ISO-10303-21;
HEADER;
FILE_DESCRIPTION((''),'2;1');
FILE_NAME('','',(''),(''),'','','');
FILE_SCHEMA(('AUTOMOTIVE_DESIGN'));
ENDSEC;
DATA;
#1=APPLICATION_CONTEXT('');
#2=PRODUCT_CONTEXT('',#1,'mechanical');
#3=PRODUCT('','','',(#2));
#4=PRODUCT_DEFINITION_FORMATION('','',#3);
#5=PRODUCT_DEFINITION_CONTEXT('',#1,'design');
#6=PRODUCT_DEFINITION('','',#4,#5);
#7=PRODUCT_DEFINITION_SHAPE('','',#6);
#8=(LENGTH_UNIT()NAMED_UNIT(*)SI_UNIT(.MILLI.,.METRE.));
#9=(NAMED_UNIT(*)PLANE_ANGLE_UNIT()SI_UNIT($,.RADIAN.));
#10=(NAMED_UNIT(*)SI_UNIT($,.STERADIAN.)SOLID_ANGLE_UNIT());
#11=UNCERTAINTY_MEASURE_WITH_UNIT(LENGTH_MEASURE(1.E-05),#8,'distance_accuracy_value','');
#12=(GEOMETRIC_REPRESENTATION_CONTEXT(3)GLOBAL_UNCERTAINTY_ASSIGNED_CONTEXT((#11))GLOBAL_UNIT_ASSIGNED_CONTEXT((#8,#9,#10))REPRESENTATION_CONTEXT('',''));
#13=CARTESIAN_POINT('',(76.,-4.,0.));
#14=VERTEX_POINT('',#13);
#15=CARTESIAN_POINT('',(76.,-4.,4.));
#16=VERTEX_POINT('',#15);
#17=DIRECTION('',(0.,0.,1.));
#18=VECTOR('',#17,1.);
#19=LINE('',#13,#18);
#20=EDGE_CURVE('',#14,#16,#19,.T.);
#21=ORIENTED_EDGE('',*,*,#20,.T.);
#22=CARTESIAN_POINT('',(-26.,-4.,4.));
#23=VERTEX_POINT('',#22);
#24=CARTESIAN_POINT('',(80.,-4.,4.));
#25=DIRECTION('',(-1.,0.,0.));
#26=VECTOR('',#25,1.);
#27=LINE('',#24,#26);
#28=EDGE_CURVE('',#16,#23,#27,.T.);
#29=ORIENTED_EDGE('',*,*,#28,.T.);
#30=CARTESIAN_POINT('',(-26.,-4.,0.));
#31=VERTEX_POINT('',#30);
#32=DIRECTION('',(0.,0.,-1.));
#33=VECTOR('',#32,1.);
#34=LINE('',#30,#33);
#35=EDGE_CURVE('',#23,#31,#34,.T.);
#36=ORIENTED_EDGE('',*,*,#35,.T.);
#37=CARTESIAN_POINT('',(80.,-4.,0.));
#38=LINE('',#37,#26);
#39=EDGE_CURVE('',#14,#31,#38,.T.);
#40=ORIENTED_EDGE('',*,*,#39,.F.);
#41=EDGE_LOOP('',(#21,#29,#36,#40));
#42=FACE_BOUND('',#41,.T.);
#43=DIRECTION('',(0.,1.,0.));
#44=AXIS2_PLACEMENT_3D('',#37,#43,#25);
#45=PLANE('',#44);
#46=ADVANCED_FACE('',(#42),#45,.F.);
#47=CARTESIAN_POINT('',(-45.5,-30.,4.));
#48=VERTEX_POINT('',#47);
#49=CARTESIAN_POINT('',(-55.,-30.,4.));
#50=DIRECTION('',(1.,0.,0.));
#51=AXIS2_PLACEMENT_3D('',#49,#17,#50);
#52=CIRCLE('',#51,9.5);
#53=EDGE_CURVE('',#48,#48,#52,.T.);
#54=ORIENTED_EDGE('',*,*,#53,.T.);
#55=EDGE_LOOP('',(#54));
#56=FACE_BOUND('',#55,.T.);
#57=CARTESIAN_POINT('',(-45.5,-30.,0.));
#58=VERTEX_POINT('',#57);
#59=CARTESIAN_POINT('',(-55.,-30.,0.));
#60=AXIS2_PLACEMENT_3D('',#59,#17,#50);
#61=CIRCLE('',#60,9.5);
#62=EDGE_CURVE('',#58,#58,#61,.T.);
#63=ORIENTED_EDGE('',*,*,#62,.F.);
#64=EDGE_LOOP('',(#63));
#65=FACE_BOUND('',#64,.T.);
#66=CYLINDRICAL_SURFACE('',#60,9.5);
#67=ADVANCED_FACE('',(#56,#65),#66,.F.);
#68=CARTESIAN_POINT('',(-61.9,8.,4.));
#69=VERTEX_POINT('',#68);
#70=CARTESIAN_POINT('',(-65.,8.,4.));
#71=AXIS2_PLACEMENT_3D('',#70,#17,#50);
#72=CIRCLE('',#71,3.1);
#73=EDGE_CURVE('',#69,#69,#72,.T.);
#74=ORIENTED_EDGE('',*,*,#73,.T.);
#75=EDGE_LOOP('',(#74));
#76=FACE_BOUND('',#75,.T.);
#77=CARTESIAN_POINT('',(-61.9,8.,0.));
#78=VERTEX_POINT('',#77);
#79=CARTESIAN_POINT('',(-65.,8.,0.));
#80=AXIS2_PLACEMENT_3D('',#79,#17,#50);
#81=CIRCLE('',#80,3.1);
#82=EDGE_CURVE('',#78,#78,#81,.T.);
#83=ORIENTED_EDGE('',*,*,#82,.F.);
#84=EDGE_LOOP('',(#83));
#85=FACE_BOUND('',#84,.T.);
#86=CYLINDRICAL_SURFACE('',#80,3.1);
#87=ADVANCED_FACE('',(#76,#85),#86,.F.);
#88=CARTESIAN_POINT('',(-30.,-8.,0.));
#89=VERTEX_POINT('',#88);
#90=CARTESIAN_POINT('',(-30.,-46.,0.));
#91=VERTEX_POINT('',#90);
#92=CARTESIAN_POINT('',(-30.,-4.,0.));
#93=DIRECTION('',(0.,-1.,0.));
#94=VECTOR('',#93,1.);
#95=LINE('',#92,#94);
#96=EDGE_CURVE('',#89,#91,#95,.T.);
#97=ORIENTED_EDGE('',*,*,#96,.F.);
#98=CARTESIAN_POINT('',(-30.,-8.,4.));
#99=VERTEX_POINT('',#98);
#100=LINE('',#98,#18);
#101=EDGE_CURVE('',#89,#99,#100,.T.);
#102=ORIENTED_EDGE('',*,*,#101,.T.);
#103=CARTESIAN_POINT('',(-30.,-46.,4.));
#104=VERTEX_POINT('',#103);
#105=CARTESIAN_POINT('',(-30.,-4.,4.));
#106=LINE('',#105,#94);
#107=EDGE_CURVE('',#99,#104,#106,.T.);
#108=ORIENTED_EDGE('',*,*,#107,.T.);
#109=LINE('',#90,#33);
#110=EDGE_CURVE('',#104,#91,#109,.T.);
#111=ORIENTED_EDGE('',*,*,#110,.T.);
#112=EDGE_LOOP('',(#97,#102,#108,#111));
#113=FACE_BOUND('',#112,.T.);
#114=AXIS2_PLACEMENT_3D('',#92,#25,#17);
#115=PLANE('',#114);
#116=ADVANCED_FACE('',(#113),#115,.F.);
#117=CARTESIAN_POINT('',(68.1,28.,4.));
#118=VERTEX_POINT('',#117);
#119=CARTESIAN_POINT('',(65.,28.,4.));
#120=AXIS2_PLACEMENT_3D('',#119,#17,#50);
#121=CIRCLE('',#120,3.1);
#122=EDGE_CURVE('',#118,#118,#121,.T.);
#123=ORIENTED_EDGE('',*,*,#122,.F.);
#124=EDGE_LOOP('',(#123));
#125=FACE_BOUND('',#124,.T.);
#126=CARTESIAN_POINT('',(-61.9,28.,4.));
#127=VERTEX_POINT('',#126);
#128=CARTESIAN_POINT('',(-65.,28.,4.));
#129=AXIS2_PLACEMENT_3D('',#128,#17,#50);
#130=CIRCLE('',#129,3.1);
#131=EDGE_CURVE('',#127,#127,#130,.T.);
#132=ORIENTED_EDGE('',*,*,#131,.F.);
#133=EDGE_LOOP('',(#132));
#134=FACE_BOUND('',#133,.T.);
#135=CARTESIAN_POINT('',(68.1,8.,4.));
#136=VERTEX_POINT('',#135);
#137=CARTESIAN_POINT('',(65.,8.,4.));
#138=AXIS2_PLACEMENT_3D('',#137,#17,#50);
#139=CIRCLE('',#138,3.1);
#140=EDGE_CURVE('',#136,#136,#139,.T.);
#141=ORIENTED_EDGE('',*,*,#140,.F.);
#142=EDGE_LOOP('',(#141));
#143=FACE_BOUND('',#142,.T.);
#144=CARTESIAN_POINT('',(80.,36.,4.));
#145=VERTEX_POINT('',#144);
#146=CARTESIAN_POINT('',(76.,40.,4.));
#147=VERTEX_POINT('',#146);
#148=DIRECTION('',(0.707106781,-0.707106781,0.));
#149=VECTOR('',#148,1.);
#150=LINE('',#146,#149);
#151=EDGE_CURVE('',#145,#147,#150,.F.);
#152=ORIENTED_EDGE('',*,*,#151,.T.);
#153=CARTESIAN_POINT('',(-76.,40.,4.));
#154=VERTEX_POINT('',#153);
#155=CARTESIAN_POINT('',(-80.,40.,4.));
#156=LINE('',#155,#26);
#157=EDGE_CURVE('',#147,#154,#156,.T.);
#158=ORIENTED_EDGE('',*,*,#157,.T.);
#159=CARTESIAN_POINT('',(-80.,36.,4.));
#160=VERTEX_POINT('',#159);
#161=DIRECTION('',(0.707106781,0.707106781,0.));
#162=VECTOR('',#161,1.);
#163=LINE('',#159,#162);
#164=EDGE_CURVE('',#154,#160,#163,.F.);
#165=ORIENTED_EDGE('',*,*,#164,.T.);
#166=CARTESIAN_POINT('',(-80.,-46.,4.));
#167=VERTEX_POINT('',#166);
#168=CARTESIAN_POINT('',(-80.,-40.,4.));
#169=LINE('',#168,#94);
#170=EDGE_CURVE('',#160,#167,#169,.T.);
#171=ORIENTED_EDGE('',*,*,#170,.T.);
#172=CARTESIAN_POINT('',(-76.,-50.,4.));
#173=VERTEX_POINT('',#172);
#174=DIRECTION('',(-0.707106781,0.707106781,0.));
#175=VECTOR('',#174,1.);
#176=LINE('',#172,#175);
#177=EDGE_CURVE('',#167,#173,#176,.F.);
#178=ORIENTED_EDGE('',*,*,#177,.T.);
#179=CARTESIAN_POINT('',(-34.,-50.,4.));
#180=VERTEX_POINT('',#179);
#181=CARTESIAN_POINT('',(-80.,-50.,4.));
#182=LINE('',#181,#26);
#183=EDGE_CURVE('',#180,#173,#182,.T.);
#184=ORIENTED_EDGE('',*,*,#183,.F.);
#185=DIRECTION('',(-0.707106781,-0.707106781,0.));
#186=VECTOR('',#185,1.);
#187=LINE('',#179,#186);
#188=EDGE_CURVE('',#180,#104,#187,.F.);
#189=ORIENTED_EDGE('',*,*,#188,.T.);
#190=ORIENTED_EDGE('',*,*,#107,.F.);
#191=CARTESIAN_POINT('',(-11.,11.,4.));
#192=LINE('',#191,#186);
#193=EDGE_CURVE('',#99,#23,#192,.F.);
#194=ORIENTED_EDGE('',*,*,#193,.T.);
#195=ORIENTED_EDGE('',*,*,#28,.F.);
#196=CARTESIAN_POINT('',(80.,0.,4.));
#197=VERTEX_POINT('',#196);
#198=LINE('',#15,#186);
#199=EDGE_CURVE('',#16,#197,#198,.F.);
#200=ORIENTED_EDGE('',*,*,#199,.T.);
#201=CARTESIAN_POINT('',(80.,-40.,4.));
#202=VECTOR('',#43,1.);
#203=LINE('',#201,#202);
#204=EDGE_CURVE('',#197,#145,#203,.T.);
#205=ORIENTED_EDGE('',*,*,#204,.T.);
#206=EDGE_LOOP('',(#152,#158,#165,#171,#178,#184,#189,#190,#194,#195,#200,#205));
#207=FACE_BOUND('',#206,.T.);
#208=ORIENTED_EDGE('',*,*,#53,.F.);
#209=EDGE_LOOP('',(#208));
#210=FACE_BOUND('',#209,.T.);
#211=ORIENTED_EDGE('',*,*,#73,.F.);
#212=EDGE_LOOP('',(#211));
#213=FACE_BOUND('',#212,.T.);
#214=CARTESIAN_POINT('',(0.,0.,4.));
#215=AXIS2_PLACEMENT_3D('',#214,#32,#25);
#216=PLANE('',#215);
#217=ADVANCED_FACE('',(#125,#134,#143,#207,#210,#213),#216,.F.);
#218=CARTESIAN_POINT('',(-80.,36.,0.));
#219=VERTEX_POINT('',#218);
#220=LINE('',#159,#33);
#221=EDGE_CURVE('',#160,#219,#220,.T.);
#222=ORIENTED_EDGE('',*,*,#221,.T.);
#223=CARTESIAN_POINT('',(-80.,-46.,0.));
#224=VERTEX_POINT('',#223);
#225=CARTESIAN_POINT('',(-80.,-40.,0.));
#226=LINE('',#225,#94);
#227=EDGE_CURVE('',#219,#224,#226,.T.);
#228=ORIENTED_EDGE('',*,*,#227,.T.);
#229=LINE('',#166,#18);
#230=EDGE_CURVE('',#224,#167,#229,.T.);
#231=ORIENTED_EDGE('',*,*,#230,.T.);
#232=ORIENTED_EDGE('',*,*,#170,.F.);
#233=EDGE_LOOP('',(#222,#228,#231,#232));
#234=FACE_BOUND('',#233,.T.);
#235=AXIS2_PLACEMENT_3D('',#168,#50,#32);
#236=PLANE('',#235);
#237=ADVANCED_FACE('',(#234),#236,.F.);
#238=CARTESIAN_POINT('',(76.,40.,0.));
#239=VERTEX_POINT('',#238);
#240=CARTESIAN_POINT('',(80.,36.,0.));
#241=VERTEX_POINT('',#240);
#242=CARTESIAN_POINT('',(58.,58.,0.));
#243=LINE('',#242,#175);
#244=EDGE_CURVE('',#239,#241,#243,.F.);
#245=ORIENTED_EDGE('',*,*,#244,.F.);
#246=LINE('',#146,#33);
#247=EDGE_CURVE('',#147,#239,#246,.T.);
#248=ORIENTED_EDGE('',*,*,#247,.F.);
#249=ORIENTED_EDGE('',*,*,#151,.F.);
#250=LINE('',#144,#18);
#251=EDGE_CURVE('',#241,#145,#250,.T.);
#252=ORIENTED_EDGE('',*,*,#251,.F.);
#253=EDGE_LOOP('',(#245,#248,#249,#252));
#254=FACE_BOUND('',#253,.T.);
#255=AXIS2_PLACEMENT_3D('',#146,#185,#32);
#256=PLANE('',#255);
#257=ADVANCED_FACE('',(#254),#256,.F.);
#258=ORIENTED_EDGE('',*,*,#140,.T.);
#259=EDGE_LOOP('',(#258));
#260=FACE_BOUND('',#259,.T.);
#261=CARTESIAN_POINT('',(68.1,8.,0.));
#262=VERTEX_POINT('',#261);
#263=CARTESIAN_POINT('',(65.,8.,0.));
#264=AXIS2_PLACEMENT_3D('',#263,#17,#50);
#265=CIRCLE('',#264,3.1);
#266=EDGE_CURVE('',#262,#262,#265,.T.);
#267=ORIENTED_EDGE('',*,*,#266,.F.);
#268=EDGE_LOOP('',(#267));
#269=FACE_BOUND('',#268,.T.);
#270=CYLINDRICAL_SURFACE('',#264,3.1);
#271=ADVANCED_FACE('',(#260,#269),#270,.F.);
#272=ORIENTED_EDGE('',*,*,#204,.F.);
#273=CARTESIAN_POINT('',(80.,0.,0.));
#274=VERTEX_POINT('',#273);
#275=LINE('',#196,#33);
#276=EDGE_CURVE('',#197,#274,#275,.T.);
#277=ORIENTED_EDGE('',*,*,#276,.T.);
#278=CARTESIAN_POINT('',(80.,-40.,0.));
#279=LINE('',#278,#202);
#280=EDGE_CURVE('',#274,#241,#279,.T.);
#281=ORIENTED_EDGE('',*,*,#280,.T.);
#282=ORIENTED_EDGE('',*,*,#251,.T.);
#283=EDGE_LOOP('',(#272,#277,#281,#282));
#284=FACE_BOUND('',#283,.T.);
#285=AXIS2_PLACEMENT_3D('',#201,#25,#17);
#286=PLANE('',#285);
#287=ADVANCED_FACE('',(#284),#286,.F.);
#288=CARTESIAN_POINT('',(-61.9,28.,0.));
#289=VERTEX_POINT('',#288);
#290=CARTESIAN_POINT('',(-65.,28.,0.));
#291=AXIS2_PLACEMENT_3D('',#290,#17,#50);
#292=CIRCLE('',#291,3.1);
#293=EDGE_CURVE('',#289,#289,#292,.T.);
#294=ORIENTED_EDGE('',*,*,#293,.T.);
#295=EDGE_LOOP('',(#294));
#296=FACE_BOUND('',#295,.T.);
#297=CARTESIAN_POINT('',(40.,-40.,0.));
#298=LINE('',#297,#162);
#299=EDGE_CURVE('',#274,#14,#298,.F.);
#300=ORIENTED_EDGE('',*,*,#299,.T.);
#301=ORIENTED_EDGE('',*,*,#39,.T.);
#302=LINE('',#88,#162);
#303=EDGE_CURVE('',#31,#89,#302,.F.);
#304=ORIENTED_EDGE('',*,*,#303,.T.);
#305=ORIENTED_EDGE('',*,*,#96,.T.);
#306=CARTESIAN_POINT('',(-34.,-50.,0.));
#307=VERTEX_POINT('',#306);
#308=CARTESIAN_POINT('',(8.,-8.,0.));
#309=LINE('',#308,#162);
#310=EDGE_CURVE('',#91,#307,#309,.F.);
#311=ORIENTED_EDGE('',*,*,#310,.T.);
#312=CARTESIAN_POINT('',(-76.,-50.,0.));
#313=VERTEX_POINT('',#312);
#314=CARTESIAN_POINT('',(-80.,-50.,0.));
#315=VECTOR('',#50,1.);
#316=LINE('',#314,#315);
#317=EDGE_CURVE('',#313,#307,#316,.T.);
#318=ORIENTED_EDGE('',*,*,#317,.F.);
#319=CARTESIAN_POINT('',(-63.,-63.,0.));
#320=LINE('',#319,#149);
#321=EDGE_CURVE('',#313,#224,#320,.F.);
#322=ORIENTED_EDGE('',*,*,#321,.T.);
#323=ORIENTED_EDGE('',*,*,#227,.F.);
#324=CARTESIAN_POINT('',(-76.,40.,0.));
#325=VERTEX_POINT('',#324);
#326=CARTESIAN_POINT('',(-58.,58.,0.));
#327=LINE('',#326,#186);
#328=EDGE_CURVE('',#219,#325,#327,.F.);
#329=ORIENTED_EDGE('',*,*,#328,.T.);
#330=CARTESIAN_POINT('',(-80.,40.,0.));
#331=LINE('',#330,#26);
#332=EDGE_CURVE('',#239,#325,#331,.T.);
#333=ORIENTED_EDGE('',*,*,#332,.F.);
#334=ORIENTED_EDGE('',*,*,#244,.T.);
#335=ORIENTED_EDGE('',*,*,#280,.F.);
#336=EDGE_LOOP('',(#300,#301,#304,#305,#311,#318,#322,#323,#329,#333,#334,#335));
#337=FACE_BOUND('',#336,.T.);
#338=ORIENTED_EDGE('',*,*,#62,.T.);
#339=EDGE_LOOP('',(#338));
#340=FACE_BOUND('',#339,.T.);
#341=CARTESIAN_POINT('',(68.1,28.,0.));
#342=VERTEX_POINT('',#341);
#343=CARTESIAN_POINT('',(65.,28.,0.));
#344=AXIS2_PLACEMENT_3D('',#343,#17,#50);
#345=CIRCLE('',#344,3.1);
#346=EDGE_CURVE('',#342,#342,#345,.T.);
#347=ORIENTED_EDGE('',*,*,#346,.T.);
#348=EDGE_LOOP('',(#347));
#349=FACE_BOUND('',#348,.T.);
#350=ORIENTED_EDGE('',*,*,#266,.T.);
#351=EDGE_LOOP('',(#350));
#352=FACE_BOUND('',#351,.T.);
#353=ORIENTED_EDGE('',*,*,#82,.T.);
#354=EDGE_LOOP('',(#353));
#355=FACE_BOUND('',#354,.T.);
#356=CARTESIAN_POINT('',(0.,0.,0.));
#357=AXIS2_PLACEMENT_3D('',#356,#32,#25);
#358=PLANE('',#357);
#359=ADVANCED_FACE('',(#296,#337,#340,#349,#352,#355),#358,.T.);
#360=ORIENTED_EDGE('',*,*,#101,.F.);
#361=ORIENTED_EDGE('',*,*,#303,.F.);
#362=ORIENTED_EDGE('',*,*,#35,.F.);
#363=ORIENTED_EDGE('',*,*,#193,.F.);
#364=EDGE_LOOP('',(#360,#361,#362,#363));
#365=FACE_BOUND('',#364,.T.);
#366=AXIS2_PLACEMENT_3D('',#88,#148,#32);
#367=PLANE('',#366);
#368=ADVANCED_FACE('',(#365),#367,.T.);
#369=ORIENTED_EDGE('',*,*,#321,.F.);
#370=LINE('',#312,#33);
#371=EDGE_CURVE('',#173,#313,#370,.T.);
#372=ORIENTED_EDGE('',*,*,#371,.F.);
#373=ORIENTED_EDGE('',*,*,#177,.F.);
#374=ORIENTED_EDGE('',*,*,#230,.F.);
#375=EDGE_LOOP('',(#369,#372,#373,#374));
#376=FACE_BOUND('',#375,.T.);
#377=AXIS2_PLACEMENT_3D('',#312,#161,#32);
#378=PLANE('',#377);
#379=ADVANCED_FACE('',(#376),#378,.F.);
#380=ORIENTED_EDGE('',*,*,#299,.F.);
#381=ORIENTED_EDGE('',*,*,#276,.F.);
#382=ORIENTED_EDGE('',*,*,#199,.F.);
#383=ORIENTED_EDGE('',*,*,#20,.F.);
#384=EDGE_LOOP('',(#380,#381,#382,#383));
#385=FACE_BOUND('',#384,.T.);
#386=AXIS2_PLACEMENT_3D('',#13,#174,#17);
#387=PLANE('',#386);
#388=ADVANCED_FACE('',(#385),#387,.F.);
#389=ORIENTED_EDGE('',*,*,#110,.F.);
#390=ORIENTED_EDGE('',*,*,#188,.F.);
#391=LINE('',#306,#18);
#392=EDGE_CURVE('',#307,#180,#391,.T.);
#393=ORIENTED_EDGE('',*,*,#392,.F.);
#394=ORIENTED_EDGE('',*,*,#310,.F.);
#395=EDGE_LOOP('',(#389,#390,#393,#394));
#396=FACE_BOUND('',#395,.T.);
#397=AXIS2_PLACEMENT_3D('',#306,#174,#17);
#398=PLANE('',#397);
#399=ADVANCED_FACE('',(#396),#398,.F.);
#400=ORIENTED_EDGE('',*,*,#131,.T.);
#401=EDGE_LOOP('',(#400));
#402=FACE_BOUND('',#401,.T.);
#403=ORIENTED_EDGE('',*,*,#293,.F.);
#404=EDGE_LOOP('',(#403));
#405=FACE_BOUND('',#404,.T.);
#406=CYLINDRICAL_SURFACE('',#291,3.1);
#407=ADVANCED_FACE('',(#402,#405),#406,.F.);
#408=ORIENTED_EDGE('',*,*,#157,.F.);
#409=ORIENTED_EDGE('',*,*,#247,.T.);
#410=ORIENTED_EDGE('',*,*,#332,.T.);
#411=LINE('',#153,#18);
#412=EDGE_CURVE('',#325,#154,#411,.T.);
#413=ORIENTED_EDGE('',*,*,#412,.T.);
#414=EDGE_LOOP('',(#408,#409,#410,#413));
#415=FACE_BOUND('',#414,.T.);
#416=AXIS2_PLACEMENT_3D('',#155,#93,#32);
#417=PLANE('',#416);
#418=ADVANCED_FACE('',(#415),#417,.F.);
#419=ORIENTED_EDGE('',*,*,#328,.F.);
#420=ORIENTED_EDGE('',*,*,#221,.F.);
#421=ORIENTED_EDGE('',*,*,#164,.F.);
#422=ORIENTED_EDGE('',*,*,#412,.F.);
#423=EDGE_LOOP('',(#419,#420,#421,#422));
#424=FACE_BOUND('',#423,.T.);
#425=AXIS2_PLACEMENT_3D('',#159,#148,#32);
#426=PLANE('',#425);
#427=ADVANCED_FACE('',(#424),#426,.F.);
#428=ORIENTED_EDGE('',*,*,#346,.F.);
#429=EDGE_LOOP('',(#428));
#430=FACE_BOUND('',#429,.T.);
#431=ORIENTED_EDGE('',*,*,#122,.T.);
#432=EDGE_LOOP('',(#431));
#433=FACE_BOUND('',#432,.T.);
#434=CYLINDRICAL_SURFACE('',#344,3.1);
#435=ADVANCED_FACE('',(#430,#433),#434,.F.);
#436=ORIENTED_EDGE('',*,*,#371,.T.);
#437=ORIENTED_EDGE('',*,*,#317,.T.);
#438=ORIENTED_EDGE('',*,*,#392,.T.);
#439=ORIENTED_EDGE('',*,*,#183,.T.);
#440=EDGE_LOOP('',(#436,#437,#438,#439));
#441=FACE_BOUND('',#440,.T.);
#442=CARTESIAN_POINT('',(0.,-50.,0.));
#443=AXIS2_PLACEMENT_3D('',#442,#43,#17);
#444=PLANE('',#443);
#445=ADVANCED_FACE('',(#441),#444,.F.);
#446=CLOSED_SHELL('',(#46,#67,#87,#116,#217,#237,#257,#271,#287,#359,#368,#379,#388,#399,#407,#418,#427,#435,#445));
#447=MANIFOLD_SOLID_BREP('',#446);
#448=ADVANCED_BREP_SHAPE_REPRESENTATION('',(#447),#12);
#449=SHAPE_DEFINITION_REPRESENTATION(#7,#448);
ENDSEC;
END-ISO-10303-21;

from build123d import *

# Parameters (mm, degrees)
SKETCH_1_W                  = 160
SKETCH_1_H                  = 80
EXTRUDE_1_DEPTH             = 4
SKETCH_2_R                  = 3.1
CUT_EXTRUDE_1_DEPTH         = 90.532117142
PATTERN_LINEAR_1_COUNT      = 2
PATTERN_LINEAR_1_PITCH      = 20
PATTERN_LINEAR_1_COUNT_DIR2 = 2
PATTERN_LINEAR_1_PITCH_DIR2 = 130
SKETCH_3_W                  = 110
SKETCH_3_H                  = 36
CUT_EXTRUDE_2_DEPTH         = 90.532117142
SKETCH_4_W                  = 50
SKETCH_4_H                  = 4
EXTRUDE_2_DEPTH             = 10
CHAMFER_1_SIZE              = 4
SKETCH_5_R                  = 9.5
CUT_EXTRUDE_3_DEPTH         = 95.424573073


with BuildPart() as part:
    # 草圖1 → 填料-伸長1 (new body)
    with BuildSketch(Plane.XY):
        Rectangle(SKETCH_1_W, SKETCH_1_H)
    extrude(amount=EXTRUDE_1_DEPTH)

    # 草圖2 → 除料-伸長1 (cut, through all)
    with BuildSketch(Plane.XY.offset(4)):
        with Locations((65, 28)):
            Circle(SKETCH_2_R)
    cut_extrude_1 = extrude(amount=-CUT_EXTRUDE_1_DEPTH, mode=Mode.SUBTRACT)

    # 直線複製排列1: Cut-Extrude 1 2 × 2
    with Locations(*[(-j * PATTERN_LINEAR_1_PITCH_DIR2, -i * PATTERN_LINEAR_1_PITCH, 0) for i in range(PATTERN_LINEAR_1_COUNT) for j in range(PATTERN_LINEAR_1_COUNT_DIR2) if (i, j) != (0, 0)]):
        add(cut_extrude_1, mode=Mode.SUBTRACT)

    # 草圖3 → 除料-伸長2 (cut, through all)
    with BuildSketch(Plane.XY.offset(4)):
        with Locations((25, -22)):
            Rectangle(SKETCH_3_W, SKETCH_3_H)
    extrude(amount=-CUT_EXTRUDE_2_DEPTH, mode=Mode.SUBTRACT)

    # 草圖4 → 填料-伸長2 (add)
    with BuildSketch(Plane.XZ.offset(40)):
        with Locations((-55, 2)):
            Rectangle(SKETCH_4_W, SKETCH_4_H)
    extrude(amount=EXTRUDE_2_DEPTH)

    # 導角1
    chamfer_1_edges = [part.edges().sort_by_distance(p)[0] for p in [
        (80, -4, 2),
        (-30, -4, 2),
        (-80, -50, 2),
        (-30, -50, 2),
        (-80, 40, 2),
        (80, 40, 2),
    ]]
    chamfer(chamfer_1_edges, length=CHAMFER_1_SIZE)

    # 草圖5 → 除料-伸長3 (cut, through all)
    with BuildSketch(Plane.XY.offset(4)):
        with Locations((-55, -30)):
            Circle(SKETCH_5_R)
    extrude(amount=-CUT_EXTRUDE_3_DEPTH, mode=Mode.SUBTRACT)


solid = part.part
